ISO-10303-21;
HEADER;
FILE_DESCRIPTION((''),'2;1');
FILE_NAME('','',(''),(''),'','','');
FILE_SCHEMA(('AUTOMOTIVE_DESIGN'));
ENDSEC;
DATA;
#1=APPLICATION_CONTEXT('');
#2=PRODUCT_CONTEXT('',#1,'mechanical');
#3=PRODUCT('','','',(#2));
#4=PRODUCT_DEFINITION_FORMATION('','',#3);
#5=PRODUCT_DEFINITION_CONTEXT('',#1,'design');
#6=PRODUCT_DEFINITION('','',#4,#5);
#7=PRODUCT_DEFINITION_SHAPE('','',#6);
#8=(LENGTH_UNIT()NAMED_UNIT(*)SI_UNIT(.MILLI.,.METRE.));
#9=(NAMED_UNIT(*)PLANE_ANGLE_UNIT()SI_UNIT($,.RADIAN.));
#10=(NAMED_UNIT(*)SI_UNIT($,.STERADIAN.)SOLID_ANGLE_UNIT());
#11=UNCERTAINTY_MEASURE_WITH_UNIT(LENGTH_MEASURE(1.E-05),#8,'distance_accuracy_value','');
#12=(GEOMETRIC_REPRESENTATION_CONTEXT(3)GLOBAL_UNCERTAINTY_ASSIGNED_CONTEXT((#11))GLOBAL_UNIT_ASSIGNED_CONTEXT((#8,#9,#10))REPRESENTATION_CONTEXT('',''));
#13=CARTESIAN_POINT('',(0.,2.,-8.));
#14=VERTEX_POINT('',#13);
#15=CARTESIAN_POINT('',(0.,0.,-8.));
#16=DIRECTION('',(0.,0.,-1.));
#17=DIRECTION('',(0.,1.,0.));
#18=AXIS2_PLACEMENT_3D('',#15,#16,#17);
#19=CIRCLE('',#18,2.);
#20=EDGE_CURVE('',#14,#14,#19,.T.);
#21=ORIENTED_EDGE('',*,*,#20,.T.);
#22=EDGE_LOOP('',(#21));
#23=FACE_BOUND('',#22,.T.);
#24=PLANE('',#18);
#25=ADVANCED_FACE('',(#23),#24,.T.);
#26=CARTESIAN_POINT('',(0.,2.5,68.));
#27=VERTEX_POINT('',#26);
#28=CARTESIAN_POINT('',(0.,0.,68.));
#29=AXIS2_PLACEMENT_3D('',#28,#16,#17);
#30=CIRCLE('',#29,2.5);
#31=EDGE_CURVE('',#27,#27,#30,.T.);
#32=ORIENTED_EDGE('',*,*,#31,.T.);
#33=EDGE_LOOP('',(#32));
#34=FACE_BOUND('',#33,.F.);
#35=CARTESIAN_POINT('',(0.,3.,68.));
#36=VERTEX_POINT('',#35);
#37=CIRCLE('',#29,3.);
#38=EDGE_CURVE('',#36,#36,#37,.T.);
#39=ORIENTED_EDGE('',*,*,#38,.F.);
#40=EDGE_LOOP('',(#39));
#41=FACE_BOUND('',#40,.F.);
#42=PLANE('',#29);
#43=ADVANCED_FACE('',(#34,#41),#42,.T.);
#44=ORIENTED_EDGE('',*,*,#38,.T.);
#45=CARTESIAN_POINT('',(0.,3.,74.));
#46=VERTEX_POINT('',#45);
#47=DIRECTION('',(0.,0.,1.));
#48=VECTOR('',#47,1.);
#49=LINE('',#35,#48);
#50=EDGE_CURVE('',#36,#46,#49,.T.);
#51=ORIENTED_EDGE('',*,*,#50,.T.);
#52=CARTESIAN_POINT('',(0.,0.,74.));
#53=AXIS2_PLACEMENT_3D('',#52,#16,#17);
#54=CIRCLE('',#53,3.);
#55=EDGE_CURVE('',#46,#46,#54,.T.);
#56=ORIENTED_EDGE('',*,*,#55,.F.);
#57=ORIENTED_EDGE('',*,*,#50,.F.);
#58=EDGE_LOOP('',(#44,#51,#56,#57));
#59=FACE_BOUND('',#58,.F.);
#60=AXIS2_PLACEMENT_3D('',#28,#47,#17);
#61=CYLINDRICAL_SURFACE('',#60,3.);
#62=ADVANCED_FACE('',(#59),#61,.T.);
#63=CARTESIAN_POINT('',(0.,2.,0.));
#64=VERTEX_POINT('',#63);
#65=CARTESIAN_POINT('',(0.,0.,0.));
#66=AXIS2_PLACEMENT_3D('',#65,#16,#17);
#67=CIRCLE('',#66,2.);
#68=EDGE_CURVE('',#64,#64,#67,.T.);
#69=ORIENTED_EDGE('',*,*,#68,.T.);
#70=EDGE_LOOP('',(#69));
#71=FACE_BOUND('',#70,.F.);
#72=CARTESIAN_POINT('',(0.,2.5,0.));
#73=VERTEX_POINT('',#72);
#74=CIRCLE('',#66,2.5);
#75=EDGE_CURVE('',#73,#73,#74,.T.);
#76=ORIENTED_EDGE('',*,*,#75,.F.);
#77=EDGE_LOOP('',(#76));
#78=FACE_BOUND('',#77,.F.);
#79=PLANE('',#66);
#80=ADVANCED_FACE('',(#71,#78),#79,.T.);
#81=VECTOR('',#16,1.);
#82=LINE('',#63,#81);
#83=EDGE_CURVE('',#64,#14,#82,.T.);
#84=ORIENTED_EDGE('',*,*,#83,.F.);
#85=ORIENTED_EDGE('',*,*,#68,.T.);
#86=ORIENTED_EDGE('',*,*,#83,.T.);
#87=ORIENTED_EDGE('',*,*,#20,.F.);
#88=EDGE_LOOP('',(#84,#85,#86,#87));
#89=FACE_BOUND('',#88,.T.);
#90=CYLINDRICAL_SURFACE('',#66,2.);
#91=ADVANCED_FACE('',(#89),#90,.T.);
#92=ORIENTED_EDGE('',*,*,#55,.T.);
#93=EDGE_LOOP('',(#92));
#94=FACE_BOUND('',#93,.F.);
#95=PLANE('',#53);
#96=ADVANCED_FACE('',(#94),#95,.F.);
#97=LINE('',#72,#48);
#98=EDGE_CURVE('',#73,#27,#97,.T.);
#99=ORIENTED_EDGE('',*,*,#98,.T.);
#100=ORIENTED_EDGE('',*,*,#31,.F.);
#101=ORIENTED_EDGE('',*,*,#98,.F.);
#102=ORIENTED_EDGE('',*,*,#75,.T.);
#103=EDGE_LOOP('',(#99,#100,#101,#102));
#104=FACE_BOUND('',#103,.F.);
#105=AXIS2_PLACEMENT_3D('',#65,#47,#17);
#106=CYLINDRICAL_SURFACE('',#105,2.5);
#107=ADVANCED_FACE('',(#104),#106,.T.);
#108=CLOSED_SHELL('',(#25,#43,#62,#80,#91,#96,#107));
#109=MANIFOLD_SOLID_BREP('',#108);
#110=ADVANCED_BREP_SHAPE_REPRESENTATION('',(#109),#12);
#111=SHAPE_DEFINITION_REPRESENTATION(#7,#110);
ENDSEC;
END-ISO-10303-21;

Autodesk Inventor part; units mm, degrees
ref_plane "YZ Plane" through (0, 0, 0) normal (1, 0, 0) x (0, 1, 0)
ref_plane "XZ Plane" through (0, 0, 0) normal (0, 1, 0) x (-1, 0, 0)
ref_plane "XY Plane" through (0, 0, 0) normal (0, 0, 1) x (1, 0, 0)
sketch "草圖1" plane through (0, 0, 0) normal (1, 0, 0) x (0, 1, 0)
  line L0 (0, 0) -> (2.5, 0)
  line L1 (2.5, 0) -> (2.5, 68)
  line L2 (2.5, 68) -> (0, 68)
  line L3 (0, 68) -> (0, 0)
  line L4 (0, 0) -> (2, 0)
  line L5 (2, 0) -> (2, -8)
  line L6 (2, -8) -> (0, -8)
  line L7 (0, -8) -> (0, 0)
  line L8 (0, 68) -> (3, 68)
  line L9 (3, 68) -> (3, 74)
  line L10 (3, 74) -> (0, 74)
  line L11 (0, 74) -> (0, 68)
  dimension "d1" = 6
  dimension "d2" = 3
  dimension "d3" = 2.5
  dimension "d4" = 8
  dimension "d5" = 2
  dimension "d6" = 82
revolve "迴轉1" add sketch "草圖1" angle 360 about axis through (0, 0, 68) along (0, 0, -1)
thread "螺紋3" size "M4x0.7" class "6g" standard "ANSI Metric M Profile" full length
properties part number "A"
